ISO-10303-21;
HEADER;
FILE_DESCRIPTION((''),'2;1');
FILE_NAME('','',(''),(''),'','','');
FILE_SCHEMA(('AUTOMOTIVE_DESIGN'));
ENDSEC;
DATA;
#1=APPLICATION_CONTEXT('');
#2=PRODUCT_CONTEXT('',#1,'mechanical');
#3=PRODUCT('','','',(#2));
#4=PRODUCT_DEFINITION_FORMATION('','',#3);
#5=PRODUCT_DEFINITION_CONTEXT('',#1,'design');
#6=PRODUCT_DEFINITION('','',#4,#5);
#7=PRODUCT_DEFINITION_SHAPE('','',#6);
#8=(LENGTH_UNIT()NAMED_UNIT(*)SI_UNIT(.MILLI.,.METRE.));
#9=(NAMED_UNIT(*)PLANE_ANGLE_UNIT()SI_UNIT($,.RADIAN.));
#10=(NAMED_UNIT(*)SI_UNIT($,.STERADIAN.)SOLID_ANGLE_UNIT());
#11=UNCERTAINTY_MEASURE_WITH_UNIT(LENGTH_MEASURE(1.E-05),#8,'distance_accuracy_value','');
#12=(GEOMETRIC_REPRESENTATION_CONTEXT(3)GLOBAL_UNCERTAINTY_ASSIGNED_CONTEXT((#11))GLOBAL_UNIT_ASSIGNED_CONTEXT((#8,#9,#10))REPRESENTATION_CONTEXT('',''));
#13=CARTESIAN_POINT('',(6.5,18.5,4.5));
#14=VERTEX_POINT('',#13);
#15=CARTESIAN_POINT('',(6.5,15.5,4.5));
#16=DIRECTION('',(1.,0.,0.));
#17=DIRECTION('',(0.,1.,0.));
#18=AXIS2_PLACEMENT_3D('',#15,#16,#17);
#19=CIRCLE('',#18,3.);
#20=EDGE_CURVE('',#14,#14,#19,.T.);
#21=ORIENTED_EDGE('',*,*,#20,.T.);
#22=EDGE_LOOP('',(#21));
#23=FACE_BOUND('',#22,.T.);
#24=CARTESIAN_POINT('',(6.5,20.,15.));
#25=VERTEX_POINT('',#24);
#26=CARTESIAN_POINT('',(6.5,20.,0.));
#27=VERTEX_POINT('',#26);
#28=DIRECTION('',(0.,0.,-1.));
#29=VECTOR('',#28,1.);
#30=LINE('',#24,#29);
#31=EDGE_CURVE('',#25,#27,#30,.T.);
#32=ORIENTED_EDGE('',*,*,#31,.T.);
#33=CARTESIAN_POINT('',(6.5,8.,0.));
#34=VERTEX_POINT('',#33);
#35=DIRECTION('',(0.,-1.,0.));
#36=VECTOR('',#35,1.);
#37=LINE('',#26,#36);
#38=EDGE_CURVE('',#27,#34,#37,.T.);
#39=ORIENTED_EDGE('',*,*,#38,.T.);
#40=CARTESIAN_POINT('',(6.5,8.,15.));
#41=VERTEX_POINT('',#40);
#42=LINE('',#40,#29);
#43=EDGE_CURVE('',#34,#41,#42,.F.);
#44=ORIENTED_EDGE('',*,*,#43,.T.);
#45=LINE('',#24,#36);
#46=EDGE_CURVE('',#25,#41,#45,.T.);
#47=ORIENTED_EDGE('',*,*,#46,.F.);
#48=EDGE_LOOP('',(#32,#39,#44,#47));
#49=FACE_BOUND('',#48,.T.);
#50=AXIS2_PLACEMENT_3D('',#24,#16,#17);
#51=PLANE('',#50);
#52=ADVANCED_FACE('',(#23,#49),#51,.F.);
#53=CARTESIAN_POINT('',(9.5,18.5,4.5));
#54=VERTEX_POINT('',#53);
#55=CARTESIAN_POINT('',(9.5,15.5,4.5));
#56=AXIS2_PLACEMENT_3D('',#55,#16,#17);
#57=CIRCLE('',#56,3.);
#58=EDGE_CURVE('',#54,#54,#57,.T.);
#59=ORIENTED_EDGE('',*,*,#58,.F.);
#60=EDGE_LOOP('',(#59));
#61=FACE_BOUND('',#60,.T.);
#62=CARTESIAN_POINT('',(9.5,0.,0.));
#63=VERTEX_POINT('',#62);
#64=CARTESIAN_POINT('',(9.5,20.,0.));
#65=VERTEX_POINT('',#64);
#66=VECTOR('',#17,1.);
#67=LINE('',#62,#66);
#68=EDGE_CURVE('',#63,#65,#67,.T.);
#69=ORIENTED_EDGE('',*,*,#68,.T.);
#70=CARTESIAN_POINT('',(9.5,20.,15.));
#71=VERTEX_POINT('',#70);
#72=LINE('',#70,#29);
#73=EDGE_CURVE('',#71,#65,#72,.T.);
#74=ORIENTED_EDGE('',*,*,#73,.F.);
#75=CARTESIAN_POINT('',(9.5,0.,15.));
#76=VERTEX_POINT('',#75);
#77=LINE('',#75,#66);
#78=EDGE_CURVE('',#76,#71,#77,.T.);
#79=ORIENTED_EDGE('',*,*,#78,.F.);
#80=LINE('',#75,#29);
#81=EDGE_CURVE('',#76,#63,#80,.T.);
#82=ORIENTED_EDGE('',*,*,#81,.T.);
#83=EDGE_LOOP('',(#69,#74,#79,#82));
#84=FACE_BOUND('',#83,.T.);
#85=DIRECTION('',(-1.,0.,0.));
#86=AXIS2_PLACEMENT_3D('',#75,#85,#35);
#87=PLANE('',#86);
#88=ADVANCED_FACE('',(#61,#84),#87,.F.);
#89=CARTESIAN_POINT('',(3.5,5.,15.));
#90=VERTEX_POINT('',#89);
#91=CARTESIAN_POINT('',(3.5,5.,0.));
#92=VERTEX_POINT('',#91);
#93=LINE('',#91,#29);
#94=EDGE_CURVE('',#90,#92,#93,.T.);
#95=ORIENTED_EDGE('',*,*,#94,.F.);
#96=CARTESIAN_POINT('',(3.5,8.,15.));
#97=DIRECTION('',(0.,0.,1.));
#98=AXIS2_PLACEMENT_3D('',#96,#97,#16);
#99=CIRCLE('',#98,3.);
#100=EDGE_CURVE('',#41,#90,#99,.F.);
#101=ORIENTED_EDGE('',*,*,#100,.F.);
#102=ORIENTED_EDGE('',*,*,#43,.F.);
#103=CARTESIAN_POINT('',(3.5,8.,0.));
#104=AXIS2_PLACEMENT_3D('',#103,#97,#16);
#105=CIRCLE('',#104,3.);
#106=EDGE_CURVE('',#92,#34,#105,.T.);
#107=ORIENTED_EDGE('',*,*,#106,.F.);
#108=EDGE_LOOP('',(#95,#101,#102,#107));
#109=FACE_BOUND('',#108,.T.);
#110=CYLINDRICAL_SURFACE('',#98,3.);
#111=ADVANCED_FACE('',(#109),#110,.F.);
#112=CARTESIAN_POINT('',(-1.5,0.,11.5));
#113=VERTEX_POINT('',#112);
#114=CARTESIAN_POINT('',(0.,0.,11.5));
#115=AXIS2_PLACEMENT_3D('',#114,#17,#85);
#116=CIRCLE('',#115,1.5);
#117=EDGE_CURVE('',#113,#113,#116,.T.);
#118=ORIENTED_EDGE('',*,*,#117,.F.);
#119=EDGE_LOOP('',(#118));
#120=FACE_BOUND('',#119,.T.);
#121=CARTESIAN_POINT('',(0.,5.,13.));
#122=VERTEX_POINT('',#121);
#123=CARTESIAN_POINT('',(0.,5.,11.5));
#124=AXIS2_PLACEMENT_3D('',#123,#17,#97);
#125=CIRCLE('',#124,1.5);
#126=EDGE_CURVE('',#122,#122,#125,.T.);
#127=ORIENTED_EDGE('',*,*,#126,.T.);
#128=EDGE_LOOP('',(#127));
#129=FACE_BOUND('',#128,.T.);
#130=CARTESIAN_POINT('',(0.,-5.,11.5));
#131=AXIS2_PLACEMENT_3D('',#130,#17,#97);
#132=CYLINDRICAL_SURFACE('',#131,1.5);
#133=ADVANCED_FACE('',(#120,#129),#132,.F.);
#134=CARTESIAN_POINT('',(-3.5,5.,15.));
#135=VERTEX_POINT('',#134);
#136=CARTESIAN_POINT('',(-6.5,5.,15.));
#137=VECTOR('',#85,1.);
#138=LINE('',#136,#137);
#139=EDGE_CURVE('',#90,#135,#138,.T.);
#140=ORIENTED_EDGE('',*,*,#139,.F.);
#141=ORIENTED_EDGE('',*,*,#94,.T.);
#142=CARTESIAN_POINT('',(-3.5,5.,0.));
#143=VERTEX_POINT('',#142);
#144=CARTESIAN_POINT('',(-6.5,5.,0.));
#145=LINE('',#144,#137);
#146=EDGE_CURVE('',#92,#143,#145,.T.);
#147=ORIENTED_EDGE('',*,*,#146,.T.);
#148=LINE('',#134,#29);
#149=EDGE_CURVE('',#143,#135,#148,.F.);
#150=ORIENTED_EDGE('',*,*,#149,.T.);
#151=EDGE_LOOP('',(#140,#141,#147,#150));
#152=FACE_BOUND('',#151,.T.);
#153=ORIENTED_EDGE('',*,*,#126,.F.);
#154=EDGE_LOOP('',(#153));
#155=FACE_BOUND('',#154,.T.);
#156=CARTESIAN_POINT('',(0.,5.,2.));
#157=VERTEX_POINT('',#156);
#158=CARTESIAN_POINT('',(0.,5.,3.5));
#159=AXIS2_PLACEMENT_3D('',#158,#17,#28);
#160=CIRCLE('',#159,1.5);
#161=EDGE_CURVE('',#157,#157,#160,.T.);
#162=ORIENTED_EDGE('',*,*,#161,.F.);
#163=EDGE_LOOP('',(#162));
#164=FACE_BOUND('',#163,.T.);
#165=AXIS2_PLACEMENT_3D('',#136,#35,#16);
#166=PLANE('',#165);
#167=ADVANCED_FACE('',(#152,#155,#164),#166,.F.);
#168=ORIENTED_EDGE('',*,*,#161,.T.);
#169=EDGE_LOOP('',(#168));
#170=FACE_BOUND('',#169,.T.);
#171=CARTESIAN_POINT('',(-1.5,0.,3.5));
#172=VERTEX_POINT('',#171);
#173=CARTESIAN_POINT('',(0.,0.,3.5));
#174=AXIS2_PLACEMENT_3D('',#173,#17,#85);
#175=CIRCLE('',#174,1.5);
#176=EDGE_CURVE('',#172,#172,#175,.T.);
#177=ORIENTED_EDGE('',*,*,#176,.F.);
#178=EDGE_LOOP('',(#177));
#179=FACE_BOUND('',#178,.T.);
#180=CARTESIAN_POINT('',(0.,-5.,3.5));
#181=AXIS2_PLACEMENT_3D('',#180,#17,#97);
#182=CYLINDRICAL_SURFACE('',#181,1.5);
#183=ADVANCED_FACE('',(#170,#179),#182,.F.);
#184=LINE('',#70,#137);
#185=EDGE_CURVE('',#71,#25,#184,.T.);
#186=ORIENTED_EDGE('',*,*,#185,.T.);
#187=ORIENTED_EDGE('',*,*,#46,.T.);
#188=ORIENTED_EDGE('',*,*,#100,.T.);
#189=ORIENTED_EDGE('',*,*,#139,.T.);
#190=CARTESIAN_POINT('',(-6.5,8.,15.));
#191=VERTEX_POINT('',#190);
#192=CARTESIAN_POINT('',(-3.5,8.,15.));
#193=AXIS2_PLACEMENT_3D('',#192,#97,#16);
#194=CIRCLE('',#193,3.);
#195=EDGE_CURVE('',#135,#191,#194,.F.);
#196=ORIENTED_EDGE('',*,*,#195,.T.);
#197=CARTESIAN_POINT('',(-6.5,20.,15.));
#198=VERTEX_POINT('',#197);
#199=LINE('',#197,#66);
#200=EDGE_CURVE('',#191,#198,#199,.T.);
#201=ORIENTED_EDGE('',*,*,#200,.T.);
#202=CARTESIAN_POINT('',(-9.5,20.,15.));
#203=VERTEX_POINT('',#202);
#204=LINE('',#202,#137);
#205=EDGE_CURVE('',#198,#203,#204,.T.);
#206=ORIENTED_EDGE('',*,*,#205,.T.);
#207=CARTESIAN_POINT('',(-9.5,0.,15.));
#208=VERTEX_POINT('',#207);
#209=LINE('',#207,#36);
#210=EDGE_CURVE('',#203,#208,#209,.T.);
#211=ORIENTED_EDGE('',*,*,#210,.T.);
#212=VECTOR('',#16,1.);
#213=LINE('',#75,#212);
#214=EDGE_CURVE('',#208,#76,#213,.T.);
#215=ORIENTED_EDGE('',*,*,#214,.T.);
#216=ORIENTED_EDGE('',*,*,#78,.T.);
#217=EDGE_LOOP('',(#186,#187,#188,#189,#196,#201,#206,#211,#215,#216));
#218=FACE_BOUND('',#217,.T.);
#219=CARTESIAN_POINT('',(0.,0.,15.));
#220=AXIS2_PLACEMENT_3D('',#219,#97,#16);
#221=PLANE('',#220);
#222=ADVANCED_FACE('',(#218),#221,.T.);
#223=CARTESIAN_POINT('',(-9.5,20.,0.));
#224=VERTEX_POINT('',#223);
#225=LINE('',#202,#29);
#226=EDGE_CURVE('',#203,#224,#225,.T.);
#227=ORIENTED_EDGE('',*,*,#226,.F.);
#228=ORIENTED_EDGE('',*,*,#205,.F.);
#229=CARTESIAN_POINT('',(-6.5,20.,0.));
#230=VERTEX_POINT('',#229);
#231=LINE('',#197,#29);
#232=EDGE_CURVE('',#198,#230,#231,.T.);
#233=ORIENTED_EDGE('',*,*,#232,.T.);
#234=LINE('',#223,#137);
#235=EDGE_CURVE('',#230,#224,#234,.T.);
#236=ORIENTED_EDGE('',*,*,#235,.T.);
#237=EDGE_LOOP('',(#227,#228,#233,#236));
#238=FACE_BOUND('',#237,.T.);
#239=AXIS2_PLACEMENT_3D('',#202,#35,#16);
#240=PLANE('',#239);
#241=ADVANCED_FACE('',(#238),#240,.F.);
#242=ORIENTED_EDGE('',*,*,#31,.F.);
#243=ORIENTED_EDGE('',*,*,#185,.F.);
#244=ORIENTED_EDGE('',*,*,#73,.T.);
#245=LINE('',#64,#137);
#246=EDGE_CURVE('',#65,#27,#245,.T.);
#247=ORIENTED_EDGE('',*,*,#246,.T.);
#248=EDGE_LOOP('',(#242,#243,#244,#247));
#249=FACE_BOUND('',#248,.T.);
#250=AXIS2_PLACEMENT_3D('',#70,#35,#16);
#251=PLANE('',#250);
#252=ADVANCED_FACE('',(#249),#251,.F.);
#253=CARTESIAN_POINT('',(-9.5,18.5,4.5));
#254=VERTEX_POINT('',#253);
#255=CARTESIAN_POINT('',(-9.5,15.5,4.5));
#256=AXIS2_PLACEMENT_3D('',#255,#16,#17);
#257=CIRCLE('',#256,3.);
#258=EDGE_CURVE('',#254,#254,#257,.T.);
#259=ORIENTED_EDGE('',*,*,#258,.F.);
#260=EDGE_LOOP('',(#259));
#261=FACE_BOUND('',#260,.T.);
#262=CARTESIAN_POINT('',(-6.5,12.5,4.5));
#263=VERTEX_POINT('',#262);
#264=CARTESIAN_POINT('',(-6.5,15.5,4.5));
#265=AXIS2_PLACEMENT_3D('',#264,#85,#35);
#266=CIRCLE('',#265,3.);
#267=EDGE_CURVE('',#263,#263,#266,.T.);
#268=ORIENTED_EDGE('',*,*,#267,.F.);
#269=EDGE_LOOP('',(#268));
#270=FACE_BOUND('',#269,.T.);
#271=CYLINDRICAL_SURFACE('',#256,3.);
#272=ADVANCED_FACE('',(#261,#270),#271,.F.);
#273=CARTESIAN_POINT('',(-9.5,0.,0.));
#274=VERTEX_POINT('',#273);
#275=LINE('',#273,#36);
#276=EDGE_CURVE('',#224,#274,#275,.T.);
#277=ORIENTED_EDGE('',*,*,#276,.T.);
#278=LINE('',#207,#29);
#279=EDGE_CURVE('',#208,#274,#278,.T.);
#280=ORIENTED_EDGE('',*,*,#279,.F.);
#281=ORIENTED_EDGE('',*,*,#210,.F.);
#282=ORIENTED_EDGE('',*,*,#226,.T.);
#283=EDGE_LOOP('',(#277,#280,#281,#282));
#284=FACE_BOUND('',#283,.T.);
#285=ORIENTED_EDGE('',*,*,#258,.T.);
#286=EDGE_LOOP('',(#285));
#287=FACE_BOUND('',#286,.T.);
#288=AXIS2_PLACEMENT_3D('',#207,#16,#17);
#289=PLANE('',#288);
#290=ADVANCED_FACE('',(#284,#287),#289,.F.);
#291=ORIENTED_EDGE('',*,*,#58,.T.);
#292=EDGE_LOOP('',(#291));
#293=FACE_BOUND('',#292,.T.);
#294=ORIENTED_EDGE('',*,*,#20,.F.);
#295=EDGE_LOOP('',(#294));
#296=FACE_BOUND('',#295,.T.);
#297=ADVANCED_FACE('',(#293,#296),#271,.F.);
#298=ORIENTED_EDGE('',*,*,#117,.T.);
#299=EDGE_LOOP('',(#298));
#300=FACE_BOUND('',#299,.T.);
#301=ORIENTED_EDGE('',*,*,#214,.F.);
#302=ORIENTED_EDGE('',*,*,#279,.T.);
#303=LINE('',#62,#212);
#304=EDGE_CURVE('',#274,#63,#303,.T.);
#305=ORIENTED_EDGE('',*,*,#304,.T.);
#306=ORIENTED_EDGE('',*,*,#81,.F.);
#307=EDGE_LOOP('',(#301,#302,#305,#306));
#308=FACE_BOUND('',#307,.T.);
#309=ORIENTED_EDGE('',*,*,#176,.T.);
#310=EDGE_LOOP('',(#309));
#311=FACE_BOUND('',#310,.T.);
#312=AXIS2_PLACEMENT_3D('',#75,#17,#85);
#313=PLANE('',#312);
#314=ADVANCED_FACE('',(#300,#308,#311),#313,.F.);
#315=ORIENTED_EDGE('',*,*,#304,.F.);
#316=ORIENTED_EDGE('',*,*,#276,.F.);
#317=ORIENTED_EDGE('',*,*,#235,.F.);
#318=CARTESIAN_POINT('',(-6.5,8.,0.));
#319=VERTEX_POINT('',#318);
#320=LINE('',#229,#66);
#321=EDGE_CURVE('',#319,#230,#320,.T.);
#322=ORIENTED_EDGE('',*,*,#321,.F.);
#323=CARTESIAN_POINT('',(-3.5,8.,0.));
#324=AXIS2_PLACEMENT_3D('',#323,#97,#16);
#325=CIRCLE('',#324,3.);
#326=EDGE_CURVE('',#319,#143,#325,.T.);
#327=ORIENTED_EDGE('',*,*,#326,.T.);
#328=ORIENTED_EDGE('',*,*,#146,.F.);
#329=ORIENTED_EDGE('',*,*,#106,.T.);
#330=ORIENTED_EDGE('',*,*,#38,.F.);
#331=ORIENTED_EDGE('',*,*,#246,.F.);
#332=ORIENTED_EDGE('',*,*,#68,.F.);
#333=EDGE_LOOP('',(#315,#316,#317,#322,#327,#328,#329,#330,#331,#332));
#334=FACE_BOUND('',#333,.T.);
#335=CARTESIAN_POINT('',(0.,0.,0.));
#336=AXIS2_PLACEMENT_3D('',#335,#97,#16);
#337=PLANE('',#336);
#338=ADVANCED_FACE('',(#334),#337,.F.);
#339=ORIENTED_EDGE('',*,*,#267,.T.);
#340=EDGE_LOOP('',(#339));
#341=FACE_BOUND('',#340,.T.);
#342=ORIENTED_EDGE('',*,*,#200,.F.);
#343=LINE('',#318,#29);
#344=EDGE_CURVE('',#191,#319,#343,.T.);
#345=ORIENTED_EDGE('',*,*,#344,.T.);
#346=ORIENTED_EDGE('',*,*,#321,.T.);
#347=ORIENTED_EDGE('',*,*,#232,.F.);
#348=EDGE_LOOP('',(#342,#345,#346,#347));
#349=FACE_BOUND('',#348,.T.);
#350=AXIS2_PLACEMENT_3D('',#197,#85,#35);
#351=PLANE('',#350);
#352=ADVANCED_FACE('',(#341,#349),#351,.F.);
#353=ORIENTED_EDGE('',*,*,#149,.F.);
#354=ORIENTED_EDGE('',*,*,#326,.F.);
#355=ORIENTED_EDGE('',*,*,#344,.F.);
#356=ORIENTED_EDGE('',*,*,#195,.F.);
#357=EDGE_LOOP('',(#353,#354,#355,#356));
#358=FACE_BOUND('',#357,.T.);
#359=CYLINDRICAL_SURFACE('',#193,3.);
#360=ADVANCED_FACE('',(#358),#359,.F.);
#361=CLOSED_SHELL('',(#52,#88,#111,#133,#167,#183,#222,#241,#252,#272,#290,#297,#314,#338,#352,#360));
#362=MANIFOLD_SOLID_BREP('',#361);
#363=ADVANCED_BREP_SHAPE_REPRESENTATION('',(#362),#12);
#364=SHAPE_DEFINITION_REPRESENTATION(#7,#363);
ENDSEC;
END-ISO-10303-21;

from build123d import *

# Parameters (mm, degrees)
EXTRUDE_1_DEPTH     = 15
FILLET_1_R          = 3
SKETCH_2_R          = 3
CUT_EXTRUDE_1_DEPTH = 32.400636936
SKETCH_3_R          = 1.5
CUT_EXTRUDE_2_DEPTH = 10
SKETCH_3_3_R        = 1.5
CUT_EXTRUDE_3_DEPTH = 10


with BuildPart() as part:
    # 草图1 → 凸台-拉伸1 (new body)
    with BuildSketch(Plane.XY):
        Polygon((9.5, 0), (-9.5, 0), (-9.5, 20), (-6.5, 20), (-6.5, 5), (6.5, 5), (6.5, 20), (9.5, 20), align=None)
    extrude(amount=EXTRUDE_1_DEPTH)

    # 圆角1
    fillet_1_edges = [part.edges().sort_by_distance(p)[0] for p in [
        (-6.5, 5, 7.5),
        (6.5, 5, 7.5),
    ]]
    fillet(fillet_1_edges, radius=FILLET_1_R)

    # 草图2 → 切除-拉伸1 (cut, through all)
    with BuildSketch(Plane(origin=(9.5, 0, 0), x_dir=(0, 0, -1), z_dir=(1, 0, 0))):
        with Locations((-4.5, 15.5)):
            Circle(SKETCH_2_R)
    extrude(amount=-CUT_EXTRUDE_1_DEPTH, mode=Mode.SUBTRACT)

    # 草图3 → 切除-拉伸2 (cut)
    with BuildSketch(Plane(origin=(0, 5, 0), x_dir=(1, 0, 0), z_dir=(0, 1, 0))):
        with Locations((0, -11.5)):
            Circle(SKETCH_3_R)
    extrude(amount=-CUT_EXTRUDE_2_DEPTH, mode=Mode.SUBTRACT)

    # 草图3<3> → 切除-拉伸3 (cut)
    with BuildSketch(Plane(origin=(0, 5, 0), x_dir=(1, 0, 0), z_dir=(0, 1, 0))):
        with Locations((0, -11.5)):
            Circle(SKETCH_3_3_R)
        with Locations((0, -3.5)):
            Circle(SKETCH_3_3_R)
    extrude(amount=-CUT_EXTRUDE_3_DEPTH, mode=Mode.SUBTRACT)


solid = part.part
